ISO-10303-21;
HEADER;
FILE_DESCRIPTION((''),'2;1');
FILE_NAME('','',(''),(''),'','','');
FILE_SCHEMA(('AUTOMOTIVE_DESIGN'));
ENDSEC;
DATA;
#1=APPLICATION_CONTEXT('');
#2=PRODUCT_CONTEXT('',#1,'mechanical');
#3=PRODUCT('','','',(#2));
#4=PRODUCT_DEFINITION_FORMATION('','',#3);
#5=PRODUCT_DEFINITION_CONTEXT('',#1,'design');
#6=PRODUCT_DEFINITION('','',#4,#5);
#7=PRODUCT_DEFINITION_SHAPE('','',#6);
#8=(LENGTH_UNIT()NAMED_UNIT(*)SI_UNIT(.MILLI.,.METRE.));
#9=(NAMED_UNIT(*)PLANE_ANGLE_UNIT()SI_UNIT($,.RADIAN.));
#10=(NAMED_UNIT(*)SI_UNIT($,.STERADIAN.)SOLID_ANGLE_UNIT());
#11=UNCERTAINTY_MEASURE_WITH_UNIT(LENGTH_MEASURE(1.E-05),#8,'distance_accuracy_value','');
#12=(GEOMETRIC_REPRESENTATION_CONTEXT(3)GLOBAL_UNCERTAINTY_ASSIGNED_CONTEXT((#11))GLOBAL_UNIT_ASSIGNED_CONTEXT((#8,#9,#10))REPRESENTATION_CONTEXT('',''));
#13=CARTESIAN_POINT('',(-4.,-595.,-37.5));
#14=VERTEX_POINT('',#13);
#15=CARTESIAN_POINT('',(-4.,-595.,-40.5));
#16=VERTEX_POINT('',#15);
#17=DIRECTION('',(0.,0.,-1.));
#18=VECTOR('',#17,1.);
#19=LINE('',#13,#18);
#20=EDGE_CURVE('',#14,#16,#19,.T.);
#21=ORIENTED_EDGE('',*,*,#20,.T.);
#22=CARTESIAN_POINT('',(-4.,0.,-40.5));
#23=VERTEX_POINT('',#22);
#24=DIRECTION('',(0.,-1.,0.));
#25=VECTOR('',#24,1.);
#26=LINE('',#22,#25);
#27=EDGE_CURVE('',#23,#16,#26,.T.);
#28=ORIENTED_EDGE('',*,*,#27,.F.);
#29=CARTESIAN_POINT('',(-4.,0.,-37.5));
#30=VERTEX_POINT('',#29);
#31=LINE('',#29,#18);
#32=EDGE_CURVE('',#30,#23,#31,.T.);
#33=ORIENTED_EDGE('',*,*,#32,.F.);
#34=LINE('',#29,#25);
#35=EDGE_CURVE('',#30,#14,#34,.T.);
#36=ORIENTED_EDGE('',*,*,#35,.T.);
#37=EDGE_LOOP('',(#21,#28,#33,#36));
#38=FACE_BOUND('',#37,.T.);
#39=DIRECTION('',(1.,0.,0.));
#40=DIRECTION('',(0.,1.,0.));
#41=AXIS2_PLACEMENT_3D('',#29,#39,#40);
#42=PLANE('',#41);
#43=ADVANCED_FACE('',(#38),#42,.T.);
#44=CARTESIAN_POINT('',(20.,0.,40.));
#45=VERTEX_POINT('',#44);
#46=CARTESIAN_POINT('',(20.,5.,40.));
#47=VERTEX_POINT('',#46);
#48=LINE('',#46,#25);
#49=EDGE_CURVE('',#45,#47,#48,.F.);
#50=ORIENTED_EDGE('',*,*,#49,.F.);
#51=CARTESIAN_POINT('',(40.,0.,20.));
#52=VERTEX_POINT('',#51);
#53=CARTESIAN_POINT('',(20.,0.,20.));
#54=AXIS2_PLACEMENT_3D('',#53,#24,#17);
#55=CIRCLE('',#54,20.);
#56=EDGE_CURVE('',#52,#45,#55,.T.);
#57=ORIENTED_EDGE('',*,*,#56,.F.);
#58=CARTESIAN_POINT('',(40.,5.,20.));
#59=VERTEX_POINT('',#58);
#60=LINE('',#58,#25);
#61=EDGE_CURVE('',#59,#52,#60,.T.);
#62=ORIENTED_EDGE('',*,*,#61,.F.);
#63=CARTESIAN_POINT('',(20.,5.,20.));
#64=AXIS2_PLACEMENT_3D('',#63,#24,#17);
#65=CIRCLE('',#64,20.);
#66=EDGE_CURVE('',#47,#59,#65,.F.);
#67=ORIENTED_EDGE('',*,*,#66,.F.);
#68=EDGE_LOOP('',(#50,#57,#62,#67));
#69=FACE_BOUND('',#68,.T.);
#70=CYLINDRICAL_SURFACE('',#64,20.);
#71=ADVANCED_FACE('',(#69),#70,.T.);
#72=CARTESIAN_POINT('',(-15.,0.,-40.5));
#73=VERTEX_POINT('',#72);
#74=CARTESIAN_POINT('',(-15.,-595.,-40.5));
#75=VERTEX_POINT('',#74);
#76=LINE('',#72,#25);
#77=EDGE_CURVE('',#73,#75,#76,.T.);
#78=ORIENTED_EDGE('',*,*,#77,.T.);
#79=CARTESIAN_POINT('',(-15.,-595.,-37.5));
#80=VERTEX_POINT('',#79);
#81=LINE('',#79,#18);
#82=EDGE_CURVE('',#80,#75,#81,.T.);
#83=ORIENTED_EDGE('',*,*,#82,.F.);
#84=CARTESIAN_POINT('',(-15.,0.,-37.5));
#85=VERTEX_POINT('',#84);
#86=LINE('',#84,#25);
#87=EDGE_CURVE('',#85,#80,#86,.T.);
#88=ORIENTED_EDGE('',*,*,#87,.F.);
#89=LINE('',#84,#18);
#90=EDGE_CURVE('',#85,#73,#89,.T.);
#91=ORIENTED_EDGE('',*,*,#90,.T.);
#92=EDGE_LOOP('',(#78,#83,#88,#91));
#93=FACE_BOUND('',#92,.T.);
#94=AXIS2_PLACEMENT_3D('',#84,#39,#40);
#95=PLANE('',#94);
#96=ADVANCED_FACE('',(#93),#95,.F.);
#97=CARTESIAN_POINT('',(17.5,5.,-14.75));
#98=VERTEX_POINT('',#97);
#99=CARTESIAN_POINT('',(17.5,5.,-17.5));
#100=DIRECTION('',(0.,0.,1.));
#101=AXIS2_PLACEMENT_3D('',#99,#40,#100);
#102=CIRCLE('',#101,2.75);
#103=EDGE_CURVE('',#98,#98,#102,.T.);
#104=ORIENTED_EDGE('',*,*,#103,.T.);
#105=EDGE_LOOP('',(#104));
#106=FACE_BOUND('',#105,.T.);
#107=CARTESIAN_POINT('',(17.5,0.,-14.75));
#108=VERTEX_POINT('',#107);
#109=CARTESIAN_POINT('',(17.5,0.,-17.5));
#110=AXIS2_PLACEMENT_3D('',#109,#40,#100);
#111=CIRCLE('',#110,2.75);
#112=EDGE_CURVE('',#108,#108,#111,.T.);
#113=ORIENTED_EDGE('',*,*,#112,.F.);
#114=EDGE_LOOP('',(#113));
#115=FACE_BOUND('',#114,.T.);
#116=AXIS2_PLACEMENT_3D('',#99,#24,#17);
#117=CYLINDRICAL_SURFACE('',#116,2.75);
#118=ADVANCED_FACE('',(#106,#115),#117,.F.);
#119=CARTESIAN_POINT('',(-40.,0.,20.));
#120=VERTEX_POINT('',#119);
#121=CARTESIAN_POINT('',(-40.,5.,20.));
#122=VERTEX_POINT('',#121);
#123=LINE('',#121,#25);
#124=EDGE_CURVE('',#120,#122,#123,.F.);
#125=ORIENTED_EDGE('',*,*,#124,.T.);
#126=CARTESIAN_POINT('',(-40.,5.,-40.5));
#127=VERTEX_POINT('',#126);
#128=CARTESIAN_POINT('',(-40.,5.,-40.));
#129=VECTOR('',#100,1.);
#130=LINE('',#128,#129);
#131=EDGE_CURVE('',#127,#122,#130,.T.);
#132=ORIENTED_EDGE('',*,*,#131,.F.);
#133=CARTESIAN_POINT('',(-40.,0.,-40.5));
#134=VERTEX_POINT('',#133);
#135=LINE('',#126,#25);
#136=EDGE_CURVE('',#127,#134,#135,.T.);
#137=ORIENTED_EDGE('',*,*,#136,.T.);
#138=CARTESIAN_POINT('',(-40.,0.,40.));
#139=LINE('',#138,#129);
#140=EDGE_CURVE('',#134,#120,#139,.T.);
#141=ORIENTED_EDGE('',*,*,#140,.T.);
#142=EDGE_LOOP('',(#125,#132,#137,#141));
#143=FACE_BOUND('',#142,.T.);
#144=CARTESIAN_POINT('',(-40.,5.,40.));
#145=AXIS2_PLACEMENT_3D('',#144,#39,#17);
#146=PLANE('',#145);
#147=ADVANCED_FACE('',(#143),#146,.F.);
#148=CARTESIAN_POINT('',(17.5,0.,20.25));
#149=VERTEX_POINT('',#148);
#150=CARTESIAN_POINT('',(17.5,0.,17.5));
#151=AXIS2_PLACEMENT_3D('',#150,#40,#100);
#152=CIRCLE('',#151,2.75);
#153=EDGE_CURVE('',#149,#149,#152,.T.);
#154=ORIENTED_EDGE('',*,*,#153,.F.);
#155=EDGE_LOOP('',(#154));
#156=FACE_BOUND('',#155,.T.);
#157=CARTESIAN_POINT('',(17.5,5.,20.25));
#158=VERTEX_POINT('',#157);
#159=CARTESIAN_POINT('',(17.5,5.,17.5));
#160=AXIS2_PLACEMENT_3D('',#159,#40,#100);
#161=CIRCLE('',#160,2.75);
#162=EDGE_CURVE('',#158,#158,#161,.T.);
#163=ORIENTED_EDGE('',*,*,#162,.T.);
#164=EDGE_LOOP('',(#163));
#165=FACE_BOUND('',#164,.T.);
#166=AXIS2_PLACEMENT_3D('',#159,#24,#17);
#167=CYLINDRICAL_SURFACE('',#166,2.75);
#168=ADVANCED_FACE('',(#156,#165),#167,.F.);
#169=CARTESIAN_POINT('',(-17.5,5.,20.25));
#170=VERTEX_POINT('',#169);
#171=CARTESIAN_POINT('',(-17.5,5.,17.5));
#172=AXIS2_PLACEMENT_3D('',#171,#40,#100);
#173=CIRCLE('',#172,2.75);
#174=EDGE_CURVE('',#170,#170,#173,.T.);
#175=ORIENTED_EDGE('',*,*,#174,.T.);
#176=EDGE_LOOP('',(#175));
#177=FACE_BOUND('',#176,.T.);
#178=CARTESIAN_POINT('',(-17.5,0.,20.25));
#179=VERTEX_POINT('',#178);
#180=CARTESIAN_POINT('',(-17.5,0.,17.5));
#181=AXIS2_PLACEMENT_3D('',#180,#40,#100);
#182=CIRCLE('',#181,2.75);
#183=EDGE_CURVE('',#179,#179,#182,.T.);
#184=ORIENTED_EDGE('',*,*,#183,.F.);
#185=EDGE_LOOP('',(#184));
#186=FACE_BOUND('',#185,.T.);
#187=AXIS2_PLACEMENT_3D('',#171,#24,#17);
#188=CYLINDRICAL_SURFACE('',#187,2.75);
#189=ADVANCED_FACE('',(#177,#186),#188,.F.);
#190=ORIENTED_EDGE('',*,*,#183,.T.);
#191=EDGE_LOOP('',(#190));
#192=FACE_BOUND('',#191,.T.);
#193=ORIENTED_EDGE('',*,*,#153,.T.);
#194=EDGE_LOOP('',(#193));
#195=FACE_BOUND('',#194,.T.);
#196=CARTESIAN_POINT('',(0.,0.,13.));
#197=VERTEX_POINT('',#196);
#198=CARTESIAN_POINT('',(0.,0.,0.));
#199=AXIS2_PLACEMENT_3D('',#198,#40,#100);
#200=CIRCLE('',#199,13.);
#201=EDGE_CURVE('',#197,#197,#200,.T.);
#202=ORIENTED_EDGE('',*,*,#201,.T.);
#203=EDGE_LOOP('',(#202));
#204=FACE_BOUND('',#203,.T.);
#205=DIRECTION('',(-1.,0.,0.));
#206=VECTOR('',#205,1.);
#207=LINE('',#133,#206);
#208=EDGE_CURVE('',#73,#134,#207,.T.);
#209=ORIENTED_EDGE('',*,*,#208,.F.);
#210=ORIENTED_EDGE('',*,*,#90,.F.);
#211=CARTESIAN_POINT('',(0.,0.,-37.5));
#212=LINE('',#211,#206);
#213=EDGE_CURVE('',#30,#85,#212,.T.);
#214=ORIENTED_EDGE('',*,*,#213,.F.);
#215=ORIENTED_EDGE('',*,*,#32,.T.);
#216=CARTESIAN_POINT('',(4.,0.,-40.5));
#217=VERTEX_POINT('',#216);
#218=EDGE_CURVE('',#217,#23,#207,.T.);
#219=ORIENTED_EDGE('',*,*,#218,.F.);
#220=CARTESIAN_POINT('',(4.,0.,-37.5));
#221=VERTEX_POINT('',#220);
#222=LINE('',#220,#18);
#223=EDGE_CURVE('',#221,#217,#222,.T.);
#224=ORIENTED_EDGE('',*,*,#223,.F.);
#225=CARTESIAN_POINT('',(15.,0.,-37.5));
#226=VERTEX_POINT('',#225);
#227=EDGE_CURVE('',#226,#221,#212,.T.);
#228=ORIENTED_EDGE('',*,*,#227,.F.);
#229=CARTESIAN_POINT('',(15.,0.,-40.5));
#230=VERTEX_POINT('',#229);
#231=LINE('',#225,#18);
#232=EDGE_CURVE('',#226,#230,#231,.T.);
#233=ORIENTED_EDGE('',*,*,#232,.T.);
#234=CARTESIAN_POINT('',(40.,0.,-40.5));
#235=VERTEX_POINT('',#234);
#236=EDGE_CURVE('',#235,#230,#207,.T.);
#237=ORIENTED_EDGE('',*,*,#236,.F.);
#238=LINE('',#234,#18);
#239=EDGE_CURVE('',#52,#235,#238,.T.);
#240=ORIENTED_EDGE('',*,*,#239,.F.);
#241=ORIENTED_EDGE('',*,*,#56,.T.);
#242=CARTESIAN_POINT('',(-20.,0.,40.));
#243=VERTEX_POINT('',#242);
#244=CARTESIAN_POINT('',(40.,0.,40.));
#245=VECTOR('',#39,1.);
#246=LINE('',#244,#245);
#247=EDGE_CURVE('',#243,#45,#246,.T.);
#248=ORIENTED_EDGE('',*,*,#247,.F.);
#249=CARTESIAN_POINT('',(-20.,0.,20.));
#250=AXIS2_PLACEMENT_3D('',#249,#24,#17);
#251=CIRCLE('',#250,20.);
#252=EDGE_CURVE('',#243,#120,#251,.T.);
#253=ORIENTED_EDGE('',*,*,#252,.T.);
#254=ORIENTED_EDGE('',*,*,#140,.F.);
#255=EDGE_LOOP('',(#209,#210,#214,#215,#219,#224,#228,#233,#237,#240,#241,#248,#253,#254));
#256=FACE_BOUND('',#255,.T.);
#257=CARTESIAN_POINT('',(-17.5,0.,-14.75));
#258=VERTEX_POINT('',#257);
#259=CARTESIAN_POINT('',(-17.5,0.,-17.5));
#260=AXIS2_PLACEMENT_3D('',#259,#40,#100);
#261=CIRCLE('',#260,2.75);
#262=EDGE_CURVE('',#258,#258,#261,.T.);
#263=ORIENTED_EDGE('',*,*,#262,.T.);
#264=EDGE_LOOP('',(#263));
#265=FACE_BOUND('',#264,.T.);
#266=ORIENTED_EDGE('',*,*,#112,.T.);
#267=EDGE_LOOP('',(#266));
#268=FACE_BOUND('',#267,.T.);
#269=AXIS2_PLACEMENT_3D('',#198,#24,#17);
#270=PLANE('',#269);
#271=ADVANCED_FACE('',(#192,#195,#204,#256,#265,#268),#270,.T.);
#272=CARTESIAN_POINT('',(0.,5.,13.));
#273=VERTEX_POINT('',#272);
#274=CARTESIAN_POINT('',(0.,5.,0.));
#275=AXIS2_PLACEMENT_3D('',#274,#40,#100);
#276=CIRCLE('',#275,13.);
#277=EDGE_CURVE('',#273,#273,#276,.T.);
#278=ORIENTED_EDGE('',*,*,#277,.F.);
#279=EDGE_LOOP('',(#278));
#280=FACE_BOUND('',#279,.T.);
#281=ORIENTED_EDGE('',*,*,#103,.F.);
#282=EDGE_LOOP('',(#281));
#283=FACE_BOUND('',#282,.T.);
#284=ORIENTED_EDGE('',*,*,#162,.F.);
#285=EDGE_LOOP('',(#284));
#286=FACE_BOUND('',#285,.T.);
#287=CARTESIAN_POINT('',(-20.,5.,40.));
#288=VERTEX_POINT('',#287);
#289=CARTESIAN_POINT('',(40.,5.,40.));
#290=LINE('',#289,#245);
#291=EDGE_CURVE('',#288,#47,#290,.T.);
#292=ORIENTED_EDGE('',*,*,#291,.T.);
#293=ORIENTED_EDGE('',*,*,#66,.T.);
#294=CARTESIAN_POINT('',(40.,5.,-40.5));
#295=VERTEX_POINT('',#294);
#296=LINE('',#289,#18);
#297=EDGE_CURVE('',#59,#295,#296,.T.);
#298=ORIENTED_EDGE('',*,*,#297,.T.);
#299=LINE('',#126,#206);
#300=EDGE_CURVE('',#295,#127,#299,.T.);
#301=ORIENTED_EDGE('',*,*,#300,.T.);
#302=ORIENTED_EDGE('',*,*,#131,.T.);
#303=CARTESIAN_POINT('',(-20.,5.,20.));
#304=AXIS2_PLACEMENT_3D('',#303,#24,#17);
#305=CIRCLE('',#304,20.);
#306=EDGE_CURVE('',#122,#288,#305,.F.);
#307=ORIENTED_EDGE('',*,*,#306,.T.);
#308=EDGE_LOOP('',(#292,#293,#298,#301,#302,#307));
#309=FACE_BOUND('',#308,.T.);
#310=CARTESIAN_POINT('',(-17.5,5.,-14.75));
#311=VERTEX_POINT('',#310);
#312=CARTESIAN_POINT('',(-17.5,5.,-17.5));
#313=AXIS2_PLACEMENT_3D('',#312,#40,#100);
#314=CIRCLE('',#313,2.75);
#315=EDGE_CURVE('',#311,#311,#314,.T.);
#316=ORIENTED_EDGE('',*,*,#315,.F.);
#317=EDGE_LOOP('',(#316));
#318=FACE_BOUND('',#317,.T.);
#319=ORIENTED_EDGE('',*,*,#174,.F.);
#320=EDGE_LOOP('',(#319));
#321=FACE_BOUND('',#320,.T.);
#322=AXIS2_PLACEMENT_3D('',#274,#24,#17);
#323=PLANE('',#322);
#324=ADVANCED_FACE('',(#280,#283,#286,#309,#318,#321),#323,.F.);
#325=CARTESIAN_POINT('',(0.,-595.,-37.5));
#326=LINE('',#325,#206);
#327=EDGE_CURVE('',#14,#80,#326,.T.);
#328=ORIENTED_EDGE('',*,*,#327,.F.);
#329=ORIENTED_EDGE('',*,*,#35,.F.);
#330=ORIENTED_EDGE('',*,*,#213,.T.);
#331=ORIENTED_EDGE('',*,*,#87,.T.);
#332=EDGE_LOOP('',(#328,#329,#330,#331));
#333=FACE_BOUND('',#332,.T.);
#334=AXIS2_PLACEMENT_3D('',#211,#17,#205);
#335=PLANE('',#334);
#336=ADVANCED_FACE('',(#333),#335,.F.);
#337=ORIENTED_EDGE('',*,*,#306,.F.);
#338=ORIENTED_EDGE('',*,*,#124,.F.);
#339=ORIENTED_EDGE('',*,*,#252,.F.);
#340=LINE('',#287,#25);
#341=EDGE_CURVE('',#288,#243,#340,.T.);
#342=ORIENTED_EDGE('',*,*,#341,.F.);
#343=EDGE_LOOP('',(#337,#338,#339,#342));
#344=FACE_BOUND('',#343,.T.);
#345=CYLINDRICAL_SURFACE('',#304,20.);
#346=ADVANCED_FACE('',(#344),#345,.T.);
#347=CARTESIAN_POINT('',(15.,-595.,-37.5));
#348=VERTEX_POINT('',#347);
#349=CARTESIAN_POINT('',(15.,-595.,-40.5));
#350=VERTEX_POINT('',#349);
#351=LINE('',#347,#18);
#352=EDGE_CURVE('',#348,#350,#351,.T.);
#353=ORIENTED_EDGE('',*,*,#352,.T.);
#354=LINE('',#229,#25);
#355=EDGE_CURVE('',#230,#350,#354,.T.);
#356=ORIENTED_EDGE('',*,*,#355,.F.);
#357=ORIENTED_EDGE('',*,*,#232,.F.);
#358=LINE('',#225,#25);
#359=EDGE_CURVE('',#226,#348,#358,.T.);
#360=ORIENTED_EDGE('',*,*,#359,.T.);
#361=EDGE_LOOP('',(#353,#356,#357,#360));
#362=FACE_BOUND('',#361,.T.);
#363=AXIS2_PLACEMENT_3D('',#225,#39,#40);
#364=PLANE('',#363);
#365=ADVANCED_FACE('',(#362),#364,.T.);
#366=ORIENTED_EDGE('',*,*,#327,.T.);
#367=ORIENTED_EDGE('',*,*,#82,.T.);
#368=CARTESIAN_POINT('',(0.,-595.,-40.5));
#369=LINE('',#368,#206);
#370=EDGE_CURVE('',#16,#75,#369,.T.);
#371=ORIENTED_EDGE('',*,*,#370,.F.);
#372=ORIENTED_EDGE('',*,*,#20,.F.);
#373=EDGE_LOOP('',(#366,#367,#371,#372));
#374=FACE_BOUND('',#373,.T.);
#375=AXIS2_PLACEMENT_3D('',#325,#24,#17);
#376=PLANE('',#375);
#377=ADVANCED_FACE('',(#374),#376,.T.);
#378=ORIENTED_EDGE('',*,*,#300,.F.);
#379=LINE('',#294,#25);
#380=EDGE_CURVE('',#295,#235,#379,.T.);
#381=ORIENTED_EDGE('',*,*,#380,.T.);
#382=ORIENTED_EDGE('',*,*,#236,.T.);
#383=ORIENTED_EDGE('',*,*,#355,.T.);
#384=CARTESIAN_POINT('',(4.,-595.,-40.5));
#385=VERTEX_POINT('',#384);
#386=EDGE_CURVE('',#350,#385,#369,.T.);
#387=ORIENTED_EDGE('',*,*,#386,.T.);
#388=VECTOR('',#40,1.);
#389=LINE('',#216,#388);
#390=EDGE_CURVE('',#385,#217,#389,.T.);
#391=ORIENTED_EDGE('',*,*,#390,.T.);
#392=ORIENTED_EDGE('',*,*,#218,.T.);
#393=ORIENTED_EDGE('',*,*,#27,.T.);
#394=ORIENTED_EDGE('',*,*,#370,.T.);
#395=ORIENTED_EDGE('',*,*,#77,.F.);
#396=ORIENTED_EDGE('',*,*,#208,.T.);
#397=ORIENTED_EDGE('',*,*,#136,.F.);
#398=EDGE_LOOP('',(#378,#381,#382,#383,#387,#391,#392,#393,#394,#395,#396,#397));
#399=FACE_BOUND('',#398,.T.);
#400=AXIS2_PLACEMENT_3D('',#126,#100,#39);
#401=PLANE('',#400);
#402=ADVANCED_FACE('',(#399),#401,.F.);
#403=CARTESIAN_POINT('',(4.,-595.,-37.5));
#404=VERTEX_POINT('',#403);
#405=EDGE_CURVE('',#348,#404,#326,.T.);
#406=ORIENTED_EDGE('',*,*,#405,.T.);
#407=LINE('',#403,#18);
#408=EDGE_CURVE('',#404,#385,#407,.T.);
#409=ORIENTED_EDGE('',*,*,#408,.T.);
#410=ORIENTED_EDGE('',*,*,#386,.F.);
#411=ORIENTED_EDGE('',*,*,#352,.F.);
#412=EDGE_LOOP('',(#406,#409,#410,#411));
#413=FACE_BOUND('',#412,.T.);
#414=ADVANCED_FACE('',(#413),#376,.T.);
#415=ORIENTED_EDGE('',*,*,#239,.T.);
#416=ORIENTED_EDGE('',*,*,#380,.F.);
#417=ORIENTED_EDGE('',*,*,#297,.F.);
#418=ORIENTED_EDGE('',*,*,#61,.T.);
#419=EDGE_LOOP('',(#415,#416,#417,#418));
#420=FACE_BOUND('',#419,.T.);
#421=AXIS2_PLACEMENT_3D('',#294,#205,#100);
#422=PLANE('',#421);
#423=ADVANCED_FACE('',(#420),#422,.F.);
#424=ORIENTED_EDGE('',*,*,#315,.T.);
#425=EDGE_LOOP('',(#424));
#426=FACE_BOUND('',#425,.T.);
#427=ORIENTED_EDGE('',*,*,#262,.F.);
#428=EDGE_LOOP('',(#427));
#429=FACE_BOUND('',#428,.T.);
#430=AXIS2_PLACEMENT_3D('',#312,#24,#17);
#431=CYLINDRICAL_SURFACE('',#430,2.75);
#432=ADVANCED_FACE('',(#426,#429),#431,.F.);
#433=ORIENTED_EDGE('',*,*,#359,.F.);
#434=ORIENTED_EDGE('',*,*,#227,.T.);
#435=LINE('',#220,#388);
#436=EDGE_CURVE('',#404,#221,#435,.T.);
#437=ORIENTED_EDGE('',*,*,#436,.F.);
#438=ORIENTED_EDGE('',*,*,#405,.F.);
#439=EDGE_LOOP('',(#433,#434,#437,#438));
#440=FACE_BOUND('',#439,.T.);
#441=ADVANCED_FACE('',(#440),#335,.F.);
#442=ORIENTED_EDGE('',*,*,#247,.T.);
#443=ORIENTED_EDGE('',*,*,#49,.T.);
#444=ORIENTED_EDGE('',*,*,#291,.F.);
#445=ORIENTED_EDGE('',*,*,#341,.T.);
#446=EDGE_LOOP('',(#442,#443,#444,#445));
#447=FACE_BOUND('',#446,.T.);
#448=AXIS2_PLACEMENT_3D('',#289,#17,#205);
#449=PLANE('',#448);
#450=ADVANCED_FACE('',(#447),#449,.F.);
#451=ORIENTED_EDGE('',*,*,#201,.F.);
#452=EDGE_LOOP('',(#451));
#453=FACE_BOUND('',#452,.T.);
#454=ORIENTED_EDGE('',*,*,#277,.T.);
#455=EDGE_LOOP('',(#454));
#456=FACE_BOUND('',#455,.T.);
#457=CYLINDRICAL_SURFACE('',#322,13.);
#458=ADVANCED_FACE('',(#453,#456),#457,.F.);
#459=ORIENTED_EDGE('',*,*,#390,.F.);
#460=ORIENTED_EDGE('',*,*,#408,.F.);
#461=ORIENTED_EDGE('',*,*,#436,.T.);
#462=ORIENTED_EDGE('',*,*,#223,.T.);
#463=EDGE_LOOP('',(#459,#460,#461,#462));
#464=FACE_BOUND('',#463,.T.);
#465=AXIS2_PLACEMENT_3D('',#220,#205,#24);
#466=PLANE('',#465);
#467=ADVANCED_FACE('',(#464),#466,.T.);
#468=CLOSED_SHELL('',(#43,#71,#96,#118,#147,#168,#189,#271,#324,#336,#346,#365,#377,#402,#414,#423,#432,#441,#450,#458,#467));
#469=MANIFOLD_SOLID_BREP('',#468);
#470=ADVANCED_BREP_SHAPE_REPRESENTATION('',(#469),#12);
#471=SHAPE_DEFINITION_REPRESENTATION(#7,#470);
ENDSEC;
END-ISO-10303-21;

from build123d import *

# Parameters (mm, degrees)
SKETCH1_R           = 13
SKETCH1_R_2         = 2.75
BOSS_EXTRUDE1_DEPTH = 5
SKETCH2_W           = 11
SKETCH2_H           = 600
BOSS_EXTRUDE2_DEPTH = 3
FILLET1_R           = 20


with BuildPart() as part:
    # Sketch1 → Boss-Extrude1 (new body)
    with BuildSketch(Plane(origin=(0, 0, 0), x_dir=(1, 0, 0), z_dir=(0, 1, 0))):
        Polygon((40, -40), (-40, -40), (-40, 40), (-40, 40.5), (40, 40.5), (40, 40), align=None)
        Circle(SKETCH1_R, mode=Mode.SUBTRACT)
        with Locations((-17.5, -17.5)):
            Circle(SKETCH1_R_2, mode=Mode.SUBTRACT)
        with Locations((17.5, -17.5)):
            Circle(SKETCH1_R_2, mode=Mode.SUBTRACT)
        with Locations((17.5, 17.5)):
            Circle(SKETCH1_R_2, mode=Mode.SUBTRACT)
        with Locations((-17.5, 17.5)):
            Circle(SKETCH1_R_2, mode=Mode.SUBTRACT)
    extrude(amount=BOSS_EXTRUDE1_DEPTH)

    # Sketch2 → Boss-Extrude2 (add)
    with BuildSketch(Plane(origin=(0, 0, -40.5), x_dir=(-1, 0, 0), z_dir=(0, 0, -1))):
        with Locations((9.5, -295)):
            Rectangle(SKETCH2_W, SKETCH2_H)
        with Locations((-9.5, -295)):
            Rectangle(SKETCH2_W, SKETCH2_H)
    extrude(amount=-BOSS_EXTRUDE2_DEPTH)

    # Fillet1
    fillet1_edges = [part.edges().sort_by_distance(p)[0] for p in [
        (40, 2.5, 40),
        (-40, 2.5, 40),
    ]]
    fillet(fillet1_edges, radius=FILLET1_R)


solid = part.part
